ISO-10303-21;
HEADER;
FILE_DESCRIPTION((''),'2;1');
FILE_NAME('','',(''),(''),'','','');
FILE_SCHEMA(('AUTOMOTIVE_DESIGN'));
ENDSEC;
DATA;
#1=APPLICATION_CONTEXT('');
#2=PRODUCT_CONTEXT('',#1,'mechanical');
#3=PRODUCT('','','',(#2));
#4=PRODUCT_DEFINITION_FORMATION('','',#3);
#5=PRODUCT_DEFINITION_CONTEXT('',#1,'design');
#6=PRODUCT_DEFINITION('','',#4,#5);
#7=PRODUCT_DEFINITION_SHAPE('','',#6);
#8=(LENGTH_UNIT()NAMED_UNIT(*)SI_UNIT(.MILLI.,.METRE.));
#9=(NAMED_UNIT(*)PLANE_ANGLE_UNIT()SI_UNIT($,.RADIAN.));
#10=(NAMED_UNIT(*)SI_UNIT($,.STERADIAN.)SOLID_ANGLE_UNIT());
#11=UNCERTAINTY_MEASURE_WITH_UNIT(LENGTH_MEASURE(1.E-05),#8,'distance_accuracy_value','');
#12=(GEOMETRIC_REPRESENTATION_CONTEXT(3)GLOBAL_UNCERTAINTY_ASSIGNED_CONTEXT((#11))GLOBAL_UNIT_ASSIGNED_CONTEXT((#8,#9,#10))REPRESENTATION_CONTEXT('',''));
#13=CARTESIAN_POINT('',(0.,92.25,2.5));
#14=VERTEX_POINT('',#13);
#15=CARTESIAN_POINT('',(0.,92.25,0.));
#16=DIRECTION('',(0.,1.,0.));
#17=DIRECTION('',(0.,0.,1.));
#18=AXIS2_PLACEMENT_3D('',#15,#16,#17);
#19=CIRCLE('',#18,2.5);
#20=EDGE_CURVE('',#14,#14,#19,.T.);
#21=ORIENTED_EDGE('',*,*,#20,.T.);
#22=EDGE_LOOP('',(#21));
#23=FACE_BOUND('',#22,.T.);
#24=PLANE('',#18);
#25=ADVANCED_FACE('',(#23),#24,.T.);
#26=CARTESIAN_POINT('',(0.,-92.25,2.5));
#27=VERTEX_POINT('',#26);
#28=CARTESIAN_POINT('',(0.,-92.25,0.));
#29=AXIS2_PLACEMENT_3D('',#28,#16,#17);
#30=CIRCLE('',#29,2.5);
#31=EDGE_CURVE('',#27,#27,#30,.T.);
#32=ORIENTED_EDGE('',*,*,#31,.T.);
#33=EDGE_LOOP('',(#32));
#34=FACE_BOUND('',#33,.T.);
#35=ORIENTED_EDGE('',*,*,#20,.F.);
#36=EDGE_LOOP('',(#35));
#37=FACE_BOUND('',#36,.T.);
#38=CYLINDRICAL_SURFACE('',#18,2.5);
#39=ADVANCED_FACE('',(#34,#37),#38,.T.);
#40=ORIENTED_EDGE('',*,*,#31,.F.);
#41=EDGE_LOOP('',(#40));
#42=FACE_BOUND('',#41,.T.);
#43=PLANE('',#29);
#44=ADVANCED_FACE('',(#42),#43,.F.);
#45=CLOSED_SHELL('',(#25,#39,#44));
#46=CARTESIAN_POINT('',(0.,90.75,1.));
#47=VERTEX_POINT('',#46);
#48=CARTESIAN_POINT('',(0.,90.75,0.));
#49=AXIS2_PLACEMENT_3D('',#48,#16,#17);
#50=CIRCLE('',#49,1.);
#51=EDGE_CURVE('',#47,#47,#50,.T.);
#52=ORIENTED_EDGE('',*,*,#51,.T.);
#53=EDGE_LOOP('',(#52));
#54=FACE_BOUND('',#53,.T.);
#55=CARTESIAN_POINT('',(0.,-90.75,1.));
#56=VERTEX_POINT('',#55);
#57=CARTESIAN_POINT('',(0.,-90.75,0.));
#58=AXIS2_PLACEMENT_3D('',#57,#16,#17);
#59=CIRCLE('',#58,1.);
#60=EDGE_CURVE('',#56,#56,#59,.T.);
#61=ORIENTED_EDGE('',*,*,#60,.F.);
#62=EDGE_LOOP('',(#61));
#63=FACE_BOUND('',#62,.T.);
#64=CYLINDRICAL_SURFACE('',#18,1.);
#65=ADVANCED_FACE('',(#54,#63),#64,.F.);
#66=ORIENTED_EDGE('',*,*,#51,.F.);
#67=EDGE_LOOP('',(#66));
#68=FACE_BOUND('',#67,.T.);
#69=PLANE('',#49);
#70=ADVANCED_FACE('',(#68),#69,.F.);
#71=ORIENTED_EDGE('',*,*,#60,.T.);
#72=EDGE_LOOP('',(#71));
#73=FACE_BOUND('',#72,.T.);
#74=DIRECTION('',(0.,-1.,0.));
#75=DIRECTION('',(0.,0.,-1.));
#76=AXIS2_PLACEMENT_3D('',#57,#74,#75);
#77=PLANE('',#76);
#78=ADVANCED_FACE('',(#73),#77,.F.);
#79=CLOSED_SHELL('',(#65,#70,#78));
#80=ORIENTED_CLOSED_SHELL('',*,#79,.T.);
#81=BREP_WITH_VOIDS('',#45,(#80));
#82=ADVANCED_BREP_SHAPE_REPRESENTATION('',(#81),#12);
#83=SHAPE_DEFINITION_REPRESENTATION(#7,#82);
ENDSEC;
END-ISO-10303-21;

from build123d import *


with BuildPart() as part:
    # Sketch1 → Revolve1 (revolve)
    with BuildSketch(Plane.XY, mode=Mode.PRIVATE) as revolve1_sk:
        Polygon((2.5, 92.25), (0, 92.25), (0, 90.75), (1, 90.75), (1, -90.75), (0, -90.75), (0, -92.25), (2.5, -92.25), align=None)
    revolve(revolve1_sk.sketch.rotate(Axis((0, 92.25, 0), (0, -1, 0)), 90), axis=Axis((0, 92.25, 0), (0, -1, 0)))


solid = part.part
